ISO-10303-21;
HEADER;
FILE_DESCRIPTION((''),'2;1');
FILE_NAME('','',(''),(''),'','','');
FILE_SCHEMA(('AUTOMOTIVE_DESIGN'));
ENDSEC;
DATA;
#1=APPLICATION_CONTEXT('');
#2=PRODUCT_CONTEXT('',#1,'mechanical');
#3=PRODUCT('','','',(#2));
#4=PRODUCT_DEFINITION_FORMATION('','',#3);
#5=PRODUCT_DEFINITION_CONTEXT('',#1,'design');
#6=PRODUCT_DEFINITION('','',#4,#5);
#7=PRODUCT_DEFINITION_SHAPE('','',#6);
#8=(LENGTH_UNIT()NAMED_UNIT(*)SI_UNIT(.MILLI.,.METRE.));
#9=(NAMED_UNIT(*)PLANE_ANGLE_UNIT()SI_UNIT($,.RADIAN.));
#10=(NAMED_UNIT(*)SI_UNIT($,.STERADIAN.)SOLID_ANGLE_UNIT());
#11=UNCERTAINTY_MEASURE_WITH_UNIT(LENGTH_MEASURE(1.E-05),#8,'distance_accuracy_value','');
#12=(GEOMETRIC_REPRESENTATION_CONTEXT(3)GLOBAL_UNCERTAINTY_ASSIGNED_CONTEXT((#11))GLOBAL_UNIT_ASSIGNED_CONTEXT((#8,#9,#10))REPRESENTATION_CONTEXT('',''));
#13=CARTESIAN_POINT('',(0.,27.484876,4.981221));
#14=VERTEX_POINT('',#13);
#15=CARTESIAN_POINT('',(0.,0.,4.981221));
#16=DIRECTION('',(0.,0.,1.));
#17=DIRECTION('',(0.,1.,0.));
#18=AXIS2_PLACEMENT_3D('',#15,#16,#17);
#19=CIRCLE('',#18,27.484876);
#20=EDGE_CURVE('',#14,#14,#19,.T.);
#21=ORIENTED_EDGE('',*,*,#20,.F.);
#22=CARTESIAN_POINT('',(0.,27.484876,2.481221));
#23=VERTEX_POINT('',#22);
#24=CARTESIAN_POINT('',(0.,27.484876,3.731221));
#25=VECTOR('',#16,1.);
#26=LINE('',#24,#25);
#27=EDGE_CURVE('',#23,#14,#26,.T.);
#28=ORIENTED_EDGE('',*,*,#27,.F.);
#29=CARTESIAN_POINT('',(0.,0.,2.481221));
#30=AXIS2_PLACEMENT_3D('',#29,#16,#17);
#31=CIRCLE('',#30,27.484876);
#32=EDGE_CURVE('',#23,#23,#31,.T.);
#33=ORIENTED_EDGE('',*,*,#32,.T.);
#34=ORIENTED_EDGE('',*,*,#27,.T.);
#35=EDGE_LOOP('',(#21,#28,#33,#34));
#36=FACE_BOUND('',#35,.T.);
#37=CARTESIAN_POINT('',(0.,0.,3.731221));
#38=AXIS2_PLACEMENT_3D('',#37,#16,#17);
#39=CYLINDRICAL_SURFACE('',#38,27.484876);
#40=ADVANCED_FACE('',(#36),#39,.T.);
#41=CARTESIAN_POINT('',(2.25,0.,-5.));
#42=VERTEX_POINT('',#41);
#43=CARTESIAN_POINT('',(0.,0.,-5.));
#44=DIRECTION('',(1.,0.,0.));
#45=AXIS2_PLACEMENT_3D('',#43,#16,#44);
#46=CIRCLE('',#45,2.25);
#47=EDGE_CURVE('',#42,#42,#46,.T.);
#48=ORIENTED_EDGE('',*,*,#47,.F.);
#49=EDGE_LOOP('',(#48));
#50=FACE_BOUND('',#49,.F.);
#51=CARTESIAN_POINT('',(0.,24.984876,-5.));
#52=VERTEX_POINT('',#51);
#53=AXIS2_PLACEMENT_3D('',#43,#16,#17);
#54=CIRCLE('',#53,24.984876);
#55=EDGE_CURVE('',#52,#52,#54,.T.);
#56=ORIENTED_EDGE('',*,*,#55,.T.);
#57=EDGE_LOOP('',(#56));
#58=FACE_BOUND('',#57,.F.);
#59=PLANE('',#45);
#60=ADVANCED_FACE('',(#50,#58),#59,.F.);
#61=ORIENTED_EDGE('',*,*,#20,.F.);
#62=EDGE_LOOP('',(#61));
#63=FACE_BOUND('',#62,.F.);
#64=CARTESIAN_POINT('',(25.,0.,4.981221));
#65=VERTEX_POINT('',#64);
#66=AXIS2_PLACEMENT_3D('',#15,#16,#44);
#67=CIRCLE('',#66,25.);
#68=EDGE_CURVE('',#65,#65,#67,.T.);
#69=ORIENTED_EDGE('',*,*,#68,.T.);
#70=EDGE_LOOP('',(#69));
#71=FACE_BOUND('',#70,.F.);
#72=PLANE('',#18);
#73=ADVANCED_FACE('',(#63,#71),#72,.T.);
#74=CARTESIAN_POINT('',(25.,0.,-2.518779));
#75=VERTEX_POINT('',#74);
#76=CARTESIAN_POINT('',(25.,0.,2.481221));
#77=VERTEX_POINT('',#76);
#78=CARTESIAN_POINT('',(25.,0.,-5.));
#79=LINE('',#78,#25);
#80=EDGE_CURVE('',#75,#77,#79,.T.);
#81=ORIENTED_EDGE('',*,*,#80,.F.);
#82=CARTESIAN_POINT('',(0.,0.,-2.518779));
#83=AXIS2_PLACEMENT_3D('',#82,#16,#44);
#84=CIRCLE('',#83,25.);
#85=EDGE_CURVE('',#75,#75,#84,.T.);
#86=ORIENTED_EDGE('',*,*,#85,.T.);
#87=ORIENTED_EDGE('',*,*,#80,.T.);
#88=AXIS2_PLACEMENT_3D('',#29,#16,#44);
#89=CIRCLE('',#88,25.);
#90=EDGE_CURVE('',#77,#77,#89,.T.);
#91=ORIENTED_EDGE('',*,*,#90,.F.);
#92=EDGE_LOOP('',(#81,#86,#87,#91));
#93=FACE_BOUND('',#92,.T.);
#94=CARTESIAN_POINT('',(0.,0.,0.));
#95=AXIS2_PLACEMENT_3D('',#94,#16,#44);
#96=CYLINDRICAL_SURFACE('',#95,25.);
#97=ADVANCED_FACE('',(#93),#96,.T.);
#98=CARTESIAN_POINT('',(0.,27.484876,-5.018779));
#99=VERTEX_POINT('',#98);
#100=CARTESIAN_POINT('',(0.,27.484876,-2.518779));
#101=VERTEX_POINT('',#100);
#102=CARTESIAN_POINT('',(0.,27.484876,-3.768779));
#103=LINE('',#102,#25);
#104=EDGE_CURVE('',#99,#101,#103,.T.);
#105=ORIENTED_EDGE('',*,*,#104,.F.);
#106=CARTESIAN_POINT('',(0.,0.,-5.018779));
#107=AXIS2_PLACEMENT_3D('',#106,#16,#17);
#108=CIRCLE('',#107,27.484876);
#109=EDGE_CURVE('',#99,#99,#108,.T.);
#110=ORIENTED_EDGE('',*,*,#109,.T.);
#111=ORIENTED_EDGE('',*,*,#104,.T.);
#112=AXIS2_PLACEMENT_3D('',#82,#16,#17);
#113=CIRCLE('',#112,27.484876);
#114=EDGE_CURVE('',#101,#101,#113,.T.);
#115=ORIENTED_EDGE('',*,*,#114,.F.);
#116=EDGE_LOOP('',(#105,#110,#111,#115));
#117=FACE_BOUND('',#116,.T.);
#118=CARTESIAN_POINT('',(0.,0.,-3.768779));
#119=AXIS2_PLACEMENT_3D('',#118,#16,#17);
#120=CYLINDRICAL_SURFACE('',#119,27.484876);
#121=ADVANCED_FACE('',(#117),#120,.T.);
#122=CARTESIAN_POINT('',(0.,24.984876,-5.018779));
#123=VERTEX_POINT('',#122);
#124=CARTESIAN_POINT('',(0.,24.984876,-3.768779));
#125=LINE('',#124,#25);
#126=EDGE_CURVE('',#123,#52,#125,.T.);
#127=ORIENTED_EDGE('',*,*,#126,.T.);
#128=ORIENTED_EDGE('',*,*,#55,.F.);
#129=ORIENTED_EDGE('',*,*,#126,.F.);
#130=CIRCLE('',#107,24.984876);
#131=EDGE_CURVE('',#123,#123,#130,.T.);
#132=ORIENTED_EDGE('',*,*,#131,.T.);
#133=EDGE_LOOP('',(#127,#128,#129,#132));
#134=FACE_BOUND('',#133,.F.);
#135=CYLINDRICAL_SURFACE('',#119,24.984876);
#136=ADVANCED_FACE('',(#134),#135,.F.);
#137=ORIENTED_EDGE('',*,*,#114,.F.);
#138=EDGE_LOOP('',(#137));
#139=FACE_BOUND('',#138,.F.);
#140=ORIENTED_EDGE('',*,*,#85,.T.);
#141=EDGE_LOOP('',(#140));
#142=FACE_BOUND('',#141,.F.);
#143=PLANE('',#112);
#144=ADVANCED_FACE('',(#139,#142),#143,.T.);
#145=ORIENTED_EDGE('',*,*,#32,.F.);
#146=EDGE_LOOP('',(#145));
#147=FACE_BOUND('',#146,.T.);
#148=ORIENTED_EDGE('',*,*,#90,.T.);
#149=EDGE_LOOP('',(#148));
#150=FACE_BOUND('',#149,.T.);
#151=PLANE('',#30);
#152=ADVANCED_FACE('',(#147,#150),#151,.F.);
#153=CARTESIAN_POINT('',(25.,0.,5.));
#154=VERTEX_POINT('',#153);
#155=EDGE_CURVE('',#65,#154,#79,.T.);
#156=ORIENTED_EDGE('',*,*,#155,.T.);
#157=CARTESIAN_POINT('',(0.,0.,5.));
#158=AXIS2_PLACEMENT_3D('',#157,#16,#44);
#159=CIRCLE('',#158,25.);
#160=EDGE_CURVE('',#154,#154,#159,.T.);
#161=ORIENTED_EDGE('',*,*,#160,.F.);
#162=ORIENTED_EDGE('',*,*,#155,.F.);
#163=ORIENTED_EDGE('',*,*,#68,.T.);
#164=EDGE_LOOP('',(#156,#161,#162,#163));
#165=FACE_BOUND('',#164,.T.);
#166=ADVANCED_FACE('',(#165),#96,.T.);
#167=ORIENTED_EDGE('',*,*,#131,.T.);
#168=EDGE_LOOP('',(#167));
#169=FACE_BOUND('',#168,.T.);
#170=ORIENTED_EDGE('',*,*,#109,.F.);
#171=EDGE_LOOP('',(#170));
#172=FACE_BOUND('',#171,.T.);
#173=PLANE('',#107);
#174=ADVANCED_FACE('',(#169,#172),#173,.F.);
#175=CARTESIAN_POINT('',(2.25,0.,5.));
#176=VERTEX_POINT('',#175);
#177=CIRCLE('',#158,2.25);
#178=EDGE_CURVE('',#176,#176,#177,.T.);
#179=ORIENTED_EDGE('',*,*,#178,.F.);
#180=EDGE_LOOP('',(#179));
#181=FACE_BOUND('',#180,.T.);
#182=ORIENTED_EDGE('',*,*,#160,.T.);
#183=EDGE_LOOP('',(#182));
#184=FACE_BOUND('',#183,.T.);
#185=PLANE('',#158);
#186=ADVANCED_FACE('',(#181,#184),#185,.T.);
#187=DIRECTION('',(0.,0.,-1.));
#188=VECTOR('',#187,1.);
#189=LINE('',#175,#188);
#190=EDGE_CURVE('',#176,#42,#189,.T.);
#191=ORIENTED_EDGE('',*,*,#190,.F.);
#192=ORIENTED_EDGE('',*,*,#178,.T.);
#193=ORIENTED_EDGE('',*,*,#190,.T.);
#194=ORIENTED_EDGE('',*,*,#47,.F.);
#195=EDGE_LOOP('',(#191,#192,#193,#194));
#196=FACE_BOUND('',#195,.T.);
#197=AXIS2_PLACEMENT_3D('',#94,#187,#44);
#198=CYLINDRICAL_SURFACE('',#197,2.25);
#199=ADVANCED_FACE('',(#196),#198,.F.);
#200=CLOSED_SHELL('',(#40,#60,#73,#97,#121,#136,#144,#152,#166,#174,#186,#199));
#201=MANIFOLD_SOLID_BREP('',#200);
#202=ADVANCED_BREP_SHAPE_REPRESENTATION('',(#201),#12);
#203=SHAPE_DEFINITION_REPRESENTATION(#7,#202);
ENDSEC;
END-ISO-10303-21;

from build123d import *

# Parameters (mm, degrees)
F0_R     = 25
F0_R_2   = 2.25
F1_DEPTH = 5
F2_W     = 2.5
F2_H     = 2.5


with BuildPart() as f1:
    # F0 (on Top) → F1 (new body, symmetric)
    with BuildSketch(Plane.XY):
        Circle(F0_R)
        Circle(F0_R_2, mode=Mode.SUBTRACT)
    extrude(amount=F1_DEPTH, both=True)

    # F2 (on Right) → F3 (revolve)
    with BuildSketch(Plane.YZ):
        with Locations((26.234876, 3.731221)):
            Rectangle(F2_W, F2_H)
        with Locations((26.234876, -3.768779)):
            Rectangle(F2_W, F2_H)
    revolve(axis=Axis((0, 0, 5), (0, 0, 1)))


solid = f1.part
